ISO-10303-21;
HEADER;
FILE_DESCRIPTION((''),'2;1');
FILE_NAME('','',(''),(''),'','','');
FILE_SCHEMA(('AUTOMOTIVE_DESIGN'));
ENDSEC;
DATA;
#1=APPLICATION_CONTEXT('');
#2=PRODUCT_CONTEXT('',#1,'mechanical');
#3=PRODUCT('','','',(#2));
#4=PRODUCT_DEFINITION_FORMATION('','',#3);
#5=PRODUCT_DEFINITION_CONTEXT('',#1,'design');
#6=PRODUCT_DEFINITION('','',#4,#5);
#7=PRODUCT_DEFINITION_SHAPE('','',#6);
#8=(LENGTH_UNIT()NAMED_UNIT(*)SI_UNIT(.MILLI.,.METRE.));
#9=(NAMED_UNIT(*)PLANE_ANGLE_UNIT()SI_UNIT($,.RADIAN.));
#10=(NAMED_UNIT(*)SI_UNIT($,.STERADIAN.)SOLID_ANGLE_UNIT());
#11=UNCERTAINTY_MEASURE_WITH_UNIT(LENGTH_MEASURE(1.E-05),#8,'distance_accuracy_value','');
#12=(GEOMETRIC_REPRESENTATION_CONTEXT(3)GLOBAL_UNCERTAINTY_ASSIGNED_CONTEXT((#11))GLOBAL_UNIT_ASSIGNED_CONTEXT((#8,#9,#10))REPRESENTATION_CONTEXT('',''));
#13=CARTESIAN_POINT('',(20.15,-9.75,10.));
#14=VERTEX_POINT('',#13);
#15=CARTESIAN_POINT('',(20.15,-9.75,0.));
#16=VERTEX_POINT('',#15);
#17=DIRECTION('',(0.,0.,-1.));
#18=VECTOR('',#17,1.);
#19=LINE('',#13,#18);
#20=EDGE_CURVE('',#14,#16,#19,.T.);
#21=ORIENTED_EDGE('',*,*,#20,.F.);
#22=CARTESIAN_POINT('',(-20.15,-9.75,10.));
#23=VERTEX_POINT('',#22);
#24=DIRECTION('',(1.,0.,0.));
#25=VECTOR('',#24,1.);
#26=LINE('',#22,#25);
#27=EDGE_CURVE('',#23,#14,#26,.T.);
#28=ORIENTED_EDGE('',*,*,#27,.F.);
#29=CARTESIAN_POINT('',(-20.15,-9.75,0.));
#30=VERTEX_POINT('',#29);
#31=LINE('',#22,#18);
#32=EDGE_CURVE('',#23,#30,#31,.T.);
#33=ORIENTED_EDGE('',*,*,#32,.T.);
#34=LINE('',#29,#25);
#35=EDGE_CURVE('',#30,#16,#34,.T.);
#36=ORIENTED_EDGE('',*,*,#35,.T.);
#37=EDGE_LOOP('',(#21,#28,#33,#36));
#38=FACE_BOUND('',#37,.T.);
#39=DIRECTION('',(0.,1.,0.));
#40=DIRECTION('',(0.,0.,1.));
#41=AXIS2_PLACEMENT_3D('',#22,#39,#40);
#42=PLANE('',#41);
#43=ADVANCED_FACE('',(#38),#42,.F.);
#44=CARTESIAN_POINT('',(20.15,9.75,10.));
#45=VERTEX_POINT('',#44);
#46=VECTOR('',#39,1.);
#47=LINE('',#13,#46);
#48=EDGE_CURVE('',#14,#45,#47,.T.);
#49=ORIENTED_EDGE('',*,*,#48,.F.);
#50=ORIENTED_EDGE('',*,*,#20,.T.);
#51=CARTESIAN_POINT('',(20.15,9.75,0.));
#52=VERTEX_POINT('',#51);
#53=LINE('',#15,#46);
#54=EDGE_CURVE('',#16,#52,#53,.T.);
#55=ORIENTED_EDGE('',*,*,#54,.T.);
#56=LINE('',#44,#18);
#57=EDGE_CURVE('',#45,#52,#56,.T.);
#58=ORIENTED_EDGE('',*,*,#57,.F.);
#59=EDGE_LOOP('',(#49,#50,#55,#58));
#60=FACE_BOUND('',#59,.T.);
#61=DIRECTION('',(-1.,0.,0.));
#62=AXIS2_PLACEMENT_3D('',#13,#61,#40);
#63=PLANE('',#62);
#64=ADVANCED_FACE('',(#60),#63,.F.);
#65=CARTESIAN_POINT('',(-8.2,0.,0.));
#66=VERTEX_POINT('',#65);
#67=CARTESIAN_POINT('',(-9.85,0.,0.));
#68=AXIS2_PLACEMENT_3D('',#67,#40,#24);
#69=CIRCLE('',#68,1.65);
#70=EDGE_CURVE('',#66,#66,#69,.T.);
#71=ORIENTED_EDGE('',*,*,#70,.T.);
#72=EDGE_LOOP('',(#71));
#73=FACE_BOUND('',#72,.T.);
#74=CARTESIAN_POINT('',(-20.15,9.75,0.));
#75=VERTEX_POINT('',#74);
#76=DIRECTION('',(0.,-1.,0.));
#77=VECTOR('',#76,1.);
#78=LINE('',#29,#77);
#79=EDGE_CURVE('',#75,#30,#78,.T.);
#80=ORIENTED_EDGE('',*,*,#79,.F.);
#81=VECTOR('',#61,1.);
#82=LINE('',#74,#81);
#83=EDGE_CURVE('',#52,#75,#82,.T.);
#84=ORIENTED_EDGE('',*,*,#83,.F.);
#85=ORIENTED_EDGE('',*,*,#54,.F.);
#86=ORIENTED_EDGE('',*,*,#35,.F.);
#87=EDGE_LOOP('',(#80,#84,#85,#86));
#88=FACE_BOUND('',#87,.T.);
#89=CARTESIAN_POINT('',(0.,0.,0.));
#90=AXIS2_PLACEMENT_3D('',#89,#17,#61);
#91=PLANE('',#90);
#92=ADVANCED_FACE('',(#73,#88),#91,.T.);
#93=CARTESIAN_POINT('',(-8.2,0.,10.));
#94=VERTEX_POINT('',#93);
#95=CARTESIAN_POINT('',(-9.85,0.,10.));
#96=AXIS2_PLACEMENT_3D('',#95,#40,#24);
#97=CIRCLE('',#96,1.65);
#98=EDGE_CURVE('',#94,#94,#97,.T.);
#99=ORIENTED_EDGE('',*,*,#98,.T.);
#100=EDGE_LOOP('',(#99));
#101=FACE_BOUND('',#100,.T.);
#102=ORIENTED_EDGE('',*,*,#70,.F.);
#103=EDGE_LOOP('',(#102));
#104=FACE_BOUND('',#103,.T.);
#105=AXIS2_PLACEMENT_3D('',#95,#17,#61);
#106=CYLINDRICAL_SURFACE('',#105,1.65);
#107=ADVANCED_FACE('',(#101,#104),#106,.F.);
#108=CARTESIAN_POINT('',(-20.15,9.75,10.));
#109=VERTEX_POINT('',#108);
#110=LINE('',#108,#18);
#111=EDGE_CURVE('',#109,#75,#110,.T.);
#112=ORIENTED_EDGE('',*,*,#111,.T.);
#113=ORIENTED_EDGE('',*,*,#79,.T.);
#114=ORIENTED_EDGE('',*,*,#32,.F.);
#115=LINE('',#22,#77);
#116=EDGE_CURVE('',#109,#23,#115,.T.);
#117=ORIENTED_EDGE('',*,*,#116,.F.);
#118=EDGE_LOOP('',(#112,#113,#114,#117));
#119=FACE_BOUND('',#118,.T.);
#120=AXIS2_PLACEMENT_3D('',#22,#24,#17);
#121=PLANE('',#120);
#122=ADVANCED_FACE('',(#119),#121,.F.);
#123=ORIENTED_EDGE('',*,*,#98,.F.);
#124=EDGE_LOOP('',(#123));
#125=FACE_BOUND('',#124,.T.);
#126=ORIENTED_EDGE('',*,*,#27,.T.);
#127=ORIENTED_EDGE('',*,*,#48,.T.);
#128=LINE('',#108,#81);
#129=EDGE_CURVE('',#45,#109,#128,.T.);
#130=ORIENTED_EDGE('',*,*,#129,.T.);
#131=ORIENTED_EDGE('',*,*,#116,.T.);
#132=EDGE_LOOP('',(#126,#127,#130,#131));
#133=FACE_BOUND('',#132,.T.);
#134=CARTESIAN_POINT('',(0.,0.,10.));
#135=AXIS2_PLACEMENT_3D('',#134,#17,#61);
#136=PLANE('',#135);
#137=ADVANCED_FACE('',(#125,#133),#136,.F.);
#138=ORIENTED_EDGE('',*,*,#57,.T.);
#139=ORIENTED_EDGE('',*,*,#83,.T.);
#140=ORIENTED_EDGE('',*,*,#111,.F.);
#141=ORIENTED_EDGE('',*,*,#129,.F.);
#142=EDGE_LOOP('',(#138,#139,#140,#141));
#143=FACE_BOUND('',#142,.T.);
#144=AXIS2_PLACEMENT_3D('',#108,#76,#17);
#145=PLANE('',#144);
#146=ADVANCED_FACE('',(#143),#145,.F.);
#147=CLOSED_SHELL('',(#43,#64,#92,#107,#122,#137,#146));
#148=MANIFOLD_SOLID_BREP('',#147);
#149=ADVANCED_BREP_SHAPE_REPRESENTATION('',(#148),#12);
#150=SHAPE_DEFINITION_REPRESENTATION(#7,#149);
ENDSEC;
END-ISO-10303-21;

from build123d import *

# Parameters (mm, degrees)
SKETCH_1_W      = 40.3
SKETCH_1_H      = 19.5
SKETCH_1_R      = 1.65
EXTRUDE_1_DEPTH = 10


with BuildPart() as part:
    # 草图1 → 凸台-拉伸1 (new body)
    with BuildSketch(Plane.XY):
        Rectangle(SKETCH_1_W, SKETCH_1_H)
        with Locations((-9.85, 0)):
            Circle(SKETCH_1_R, mode=Mode.SUBTRACT)
    extrude(amount=EXTRUDE_1_DEPTH)


solid = part.part
